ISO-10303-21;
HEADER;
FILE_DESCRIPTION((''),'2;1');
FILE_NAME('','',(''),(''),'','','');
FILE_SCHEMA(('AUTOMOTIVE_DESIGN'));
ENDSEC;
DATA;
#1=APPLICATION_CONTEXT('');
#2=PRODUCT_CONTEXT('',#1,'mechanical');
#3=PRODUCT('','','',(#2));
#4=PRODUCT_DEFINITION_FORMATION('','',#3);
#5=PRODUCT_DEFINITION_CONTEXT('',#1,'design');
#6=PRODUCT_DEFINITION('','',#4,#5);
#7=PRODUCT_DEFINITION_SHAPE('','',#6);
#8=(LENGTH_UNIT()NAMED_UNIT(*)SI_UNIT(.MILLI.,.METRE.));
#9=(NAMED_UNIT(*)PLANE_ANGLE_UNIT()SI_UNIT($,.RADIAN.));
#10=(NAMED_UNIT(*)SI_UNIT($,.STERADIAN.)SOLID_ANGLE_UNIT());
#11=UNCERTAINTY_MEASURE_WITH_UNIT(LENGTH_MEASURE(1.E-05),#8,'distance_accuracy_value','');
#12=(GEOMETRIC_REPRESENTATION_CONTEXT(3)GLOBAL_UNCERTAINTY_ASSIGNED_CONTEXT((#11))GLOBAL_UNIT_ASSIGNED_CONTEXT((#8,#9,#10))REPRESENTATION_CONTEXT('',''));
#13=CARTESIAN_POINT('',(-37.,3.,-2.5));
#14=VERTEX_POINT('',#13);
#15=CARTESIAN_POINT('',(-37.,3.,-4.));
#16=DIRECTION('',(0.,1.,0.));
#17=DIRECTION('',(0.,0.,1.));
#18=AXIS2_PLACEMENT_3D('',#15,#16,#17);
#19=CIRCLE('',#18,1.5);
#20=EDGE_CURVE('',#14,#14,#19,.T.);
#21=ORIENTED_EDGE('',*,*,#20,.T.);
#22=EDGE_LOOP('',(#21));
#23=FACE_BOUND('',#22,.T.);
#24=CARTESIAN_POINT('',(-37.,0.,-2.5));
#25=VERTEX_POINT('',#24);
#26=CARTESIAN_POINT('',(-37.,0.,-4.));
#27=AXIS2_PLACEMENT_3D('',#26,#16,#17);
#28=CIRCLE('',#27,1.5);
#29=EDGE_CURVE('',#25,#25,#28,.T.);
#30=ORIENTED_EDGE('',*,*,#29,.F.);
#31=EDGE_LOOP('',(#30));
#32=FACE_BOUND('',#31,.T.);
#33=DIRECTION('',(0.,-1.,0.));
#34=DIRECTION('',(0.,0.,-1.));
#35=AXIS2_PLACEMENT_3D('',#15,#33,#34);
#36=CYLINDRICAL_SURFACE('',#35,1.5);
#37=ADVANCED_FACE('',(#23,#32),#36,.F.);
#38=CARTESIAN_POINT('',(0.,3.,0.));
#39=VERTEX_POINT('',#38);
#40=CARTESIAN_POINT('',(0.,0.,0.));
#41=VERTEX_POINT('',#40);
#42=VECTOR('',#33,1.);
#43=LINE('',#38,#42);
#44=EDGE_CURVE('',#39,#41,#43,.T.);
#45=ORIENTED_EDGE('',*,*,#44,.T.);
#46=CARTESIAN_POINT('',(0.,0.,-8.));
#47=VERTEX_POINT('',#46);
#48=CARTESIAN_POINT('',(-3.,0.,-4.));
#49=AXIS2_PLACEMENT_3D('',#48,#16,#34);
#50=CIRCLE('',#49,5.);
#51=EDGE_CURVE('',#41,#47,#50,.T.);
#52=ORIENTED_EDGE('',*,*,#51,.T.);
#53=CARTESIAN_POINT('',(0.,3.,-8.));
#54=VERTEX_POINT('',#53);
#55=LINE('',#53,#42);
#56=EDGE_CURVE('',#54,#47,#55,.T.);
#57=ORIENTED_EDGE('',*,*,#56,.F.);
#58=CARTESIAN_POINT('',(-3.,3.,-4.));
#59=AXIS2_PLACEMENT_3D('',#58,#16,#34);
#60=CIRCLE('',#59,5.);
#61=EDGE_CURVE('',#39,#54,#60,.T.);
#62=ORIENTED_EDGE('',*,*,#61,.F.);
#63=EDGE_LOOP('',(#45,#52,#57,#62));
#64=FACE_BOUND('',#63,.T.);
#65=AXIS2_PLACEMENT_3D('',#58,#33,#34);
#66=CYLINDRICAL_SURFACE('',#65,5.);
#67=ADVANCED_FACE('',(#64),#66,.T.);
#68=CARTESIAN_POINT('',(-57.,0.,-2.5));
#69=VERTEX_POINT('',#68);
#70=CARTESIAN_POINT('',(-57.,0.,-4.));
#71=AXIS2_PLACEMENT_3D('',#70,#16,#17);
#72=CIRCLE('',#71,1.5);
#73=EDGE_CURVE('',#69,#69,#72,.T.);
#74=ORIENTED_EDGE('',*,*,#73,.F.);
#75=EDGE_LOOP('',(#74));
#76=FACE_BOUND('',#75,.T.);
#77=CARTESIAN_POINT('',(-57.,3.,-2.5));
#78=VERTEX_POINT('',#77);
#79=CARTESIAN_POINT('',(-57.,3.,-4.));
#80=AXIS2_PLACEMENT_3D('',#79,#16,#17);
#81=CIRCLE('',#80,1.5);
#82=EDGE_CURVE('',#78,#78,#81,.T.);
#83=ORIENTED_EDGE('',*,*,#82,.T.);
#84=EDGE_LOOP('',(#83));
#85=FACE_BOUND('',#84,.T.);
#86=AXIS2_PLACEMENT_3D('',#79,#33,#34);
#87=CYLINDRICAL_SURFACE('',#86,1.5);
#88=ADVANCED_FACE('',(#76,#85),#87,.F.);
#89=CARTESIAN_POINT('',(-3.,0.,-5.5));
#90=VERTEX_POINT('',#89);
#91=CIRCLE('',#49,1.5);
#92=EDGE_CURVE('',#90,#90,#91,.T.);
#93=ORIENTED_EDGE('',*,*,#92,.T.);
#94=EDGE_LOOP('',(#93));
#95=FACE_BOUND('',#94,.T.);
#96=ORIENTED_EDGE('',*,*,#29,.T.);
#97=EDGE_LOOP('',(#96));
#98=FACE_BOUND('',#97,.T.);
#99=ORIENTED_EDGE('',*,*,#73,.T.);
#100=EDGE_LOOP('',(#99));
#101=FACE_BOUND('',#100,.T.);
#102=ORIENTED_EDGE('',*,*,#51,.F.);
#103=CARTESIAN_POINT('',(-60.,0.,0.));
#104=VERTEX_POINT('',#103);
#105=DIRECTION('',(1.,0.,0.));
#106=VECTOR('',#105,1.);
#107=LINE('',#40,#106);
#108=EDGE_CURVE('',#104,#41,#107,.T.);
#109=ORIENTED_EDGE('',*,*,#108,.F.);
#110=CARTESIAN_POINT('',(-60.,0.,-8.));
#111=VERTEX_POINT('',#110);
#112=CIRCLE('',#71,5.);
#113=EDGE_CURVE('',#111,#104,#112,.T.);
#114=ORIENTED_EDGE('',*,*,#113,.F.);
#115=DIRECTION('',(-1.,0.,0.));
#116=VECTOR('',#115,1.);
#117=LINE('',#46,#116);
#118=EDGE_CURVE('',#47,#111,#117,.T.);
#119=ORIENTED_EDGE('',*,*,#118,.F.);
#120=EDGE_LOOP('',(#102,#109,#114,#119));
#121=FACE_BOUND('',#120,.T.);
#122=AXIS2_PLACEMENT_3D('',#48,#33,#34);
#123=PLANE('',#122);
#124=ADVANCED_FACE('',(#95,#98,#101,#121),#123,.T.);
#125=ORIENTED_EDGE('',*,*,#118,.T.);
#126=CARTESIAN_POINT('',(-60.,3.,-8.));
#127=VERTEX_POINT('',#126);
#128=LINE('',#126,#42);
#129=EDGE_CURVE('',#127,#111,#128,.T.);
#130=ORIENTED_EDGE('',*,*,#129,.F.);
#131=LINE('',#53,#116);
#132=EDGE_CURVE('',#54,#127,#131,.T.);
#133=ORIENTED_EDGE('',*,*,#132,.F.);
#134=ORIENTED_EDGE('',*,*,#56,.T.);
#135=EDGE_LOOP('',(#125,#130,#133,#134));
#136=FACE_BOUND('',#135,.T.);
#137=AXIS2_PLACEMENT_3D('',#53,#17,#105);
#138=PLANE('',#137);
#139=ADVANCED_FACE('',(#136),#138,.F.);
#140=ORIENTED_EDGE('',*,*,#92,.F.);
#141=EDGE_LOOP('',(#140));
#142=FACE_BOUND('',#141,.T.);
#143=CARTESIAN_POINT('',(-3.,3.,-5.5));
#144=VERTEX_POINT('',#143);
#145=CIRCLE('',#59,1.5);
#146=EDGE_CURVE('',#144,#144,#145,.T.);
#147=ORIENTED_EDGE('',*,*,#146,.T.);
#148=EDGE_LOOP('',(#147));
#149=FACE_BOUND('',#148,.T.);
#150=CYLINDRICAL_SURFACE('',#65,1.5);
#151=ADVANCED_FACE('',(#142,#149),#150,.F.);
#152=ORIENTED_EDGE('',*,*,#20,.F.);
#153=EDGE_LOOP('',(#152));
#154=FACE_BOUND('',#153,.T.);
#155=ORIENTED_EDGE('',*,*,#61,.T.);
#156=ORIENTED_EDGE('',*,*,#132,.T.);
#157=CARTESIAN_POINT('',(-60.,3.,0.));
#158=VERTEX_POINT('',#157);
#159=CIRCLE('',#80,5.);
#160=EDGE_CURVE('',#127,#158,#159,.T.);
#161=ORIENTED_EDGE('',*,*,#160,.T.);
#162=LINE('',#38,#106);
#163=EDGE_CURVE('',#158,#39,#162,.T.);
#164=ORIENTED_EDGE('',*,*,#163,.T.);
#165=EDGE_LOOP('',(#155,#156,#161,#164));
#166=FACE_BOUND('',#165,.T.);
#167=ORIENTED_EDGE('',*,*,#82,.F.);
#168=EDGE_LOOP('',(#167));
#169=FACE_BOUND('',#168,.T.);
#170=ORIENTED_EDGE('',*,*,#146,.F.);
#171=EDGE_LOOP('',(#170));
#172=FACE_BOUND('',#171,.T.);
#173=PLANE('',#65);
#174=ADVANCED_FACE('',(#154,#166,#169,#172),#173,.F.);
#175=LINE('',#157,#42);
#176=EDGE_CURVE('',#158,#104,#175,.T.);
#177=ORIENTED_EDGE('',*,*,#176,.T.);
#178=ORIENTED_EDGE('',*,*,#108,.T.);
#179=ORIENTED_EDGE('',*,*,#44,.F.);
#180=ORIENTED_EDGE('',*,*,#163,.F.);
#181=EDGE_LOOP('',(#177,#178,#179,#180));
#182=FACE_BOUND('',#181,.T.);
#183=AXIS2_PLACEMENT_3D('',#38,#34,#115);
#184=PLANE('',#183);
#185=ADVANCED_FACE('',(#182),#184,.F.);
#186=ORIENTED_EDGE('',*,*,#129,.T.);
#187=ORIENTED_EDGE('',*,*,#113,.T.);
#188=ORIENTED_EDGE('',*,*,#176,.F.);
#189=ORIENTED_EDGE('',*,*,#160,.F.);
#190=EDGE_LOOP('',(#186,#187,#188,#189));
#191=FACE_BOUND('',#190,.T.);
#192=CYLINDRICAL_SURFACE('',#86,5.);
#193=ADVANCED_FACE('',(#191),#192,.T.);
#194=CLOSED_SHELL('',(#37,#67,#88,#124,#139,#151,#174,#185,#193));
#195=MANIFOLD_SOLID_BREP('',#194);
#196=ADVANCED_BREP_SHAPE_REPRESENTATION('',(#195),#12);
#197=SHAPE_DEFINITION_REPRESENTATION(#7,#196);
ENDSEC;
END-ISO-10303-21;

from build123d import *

# Parameters (mm, degrees)
SKETCH1_R           = 1.5
BOSS_EXTRUDE1_DEPTH = 3


with BuildPart() as part:
    # Sketch1 → Boss-Extrude1 (new body)
    with BuildSketch(Plane(origin=(0, 0, 0), x_dir=(1, 0, 0), z_dir=(0, 1, 0))):
        with BuildLine():
            Line((0, 0), (-60, 0))
            ThreePointArc((-60, 0), (-62, 4), (-60, 8))
            Line((-60, 8), (0, 8))
            ThreePointArc((0, 8), (2, 4), (0, 0))
        make_face()
        with Locations((-57, 4)):
            Circle(SKETCH1_R, mode=Mode.SUBTRACT)
        with Locations((-3, 4)):
            Circle(SKETCH1_R, mode=Mode.SUBTRACT)
        with Locations((-37, 4)):
            Circle(SKETCH1_R, mode=Mode.SUBTRACT)
    extrude(amount=BOSS_EXTRUDE1_DEPTH)


solid = part.part
